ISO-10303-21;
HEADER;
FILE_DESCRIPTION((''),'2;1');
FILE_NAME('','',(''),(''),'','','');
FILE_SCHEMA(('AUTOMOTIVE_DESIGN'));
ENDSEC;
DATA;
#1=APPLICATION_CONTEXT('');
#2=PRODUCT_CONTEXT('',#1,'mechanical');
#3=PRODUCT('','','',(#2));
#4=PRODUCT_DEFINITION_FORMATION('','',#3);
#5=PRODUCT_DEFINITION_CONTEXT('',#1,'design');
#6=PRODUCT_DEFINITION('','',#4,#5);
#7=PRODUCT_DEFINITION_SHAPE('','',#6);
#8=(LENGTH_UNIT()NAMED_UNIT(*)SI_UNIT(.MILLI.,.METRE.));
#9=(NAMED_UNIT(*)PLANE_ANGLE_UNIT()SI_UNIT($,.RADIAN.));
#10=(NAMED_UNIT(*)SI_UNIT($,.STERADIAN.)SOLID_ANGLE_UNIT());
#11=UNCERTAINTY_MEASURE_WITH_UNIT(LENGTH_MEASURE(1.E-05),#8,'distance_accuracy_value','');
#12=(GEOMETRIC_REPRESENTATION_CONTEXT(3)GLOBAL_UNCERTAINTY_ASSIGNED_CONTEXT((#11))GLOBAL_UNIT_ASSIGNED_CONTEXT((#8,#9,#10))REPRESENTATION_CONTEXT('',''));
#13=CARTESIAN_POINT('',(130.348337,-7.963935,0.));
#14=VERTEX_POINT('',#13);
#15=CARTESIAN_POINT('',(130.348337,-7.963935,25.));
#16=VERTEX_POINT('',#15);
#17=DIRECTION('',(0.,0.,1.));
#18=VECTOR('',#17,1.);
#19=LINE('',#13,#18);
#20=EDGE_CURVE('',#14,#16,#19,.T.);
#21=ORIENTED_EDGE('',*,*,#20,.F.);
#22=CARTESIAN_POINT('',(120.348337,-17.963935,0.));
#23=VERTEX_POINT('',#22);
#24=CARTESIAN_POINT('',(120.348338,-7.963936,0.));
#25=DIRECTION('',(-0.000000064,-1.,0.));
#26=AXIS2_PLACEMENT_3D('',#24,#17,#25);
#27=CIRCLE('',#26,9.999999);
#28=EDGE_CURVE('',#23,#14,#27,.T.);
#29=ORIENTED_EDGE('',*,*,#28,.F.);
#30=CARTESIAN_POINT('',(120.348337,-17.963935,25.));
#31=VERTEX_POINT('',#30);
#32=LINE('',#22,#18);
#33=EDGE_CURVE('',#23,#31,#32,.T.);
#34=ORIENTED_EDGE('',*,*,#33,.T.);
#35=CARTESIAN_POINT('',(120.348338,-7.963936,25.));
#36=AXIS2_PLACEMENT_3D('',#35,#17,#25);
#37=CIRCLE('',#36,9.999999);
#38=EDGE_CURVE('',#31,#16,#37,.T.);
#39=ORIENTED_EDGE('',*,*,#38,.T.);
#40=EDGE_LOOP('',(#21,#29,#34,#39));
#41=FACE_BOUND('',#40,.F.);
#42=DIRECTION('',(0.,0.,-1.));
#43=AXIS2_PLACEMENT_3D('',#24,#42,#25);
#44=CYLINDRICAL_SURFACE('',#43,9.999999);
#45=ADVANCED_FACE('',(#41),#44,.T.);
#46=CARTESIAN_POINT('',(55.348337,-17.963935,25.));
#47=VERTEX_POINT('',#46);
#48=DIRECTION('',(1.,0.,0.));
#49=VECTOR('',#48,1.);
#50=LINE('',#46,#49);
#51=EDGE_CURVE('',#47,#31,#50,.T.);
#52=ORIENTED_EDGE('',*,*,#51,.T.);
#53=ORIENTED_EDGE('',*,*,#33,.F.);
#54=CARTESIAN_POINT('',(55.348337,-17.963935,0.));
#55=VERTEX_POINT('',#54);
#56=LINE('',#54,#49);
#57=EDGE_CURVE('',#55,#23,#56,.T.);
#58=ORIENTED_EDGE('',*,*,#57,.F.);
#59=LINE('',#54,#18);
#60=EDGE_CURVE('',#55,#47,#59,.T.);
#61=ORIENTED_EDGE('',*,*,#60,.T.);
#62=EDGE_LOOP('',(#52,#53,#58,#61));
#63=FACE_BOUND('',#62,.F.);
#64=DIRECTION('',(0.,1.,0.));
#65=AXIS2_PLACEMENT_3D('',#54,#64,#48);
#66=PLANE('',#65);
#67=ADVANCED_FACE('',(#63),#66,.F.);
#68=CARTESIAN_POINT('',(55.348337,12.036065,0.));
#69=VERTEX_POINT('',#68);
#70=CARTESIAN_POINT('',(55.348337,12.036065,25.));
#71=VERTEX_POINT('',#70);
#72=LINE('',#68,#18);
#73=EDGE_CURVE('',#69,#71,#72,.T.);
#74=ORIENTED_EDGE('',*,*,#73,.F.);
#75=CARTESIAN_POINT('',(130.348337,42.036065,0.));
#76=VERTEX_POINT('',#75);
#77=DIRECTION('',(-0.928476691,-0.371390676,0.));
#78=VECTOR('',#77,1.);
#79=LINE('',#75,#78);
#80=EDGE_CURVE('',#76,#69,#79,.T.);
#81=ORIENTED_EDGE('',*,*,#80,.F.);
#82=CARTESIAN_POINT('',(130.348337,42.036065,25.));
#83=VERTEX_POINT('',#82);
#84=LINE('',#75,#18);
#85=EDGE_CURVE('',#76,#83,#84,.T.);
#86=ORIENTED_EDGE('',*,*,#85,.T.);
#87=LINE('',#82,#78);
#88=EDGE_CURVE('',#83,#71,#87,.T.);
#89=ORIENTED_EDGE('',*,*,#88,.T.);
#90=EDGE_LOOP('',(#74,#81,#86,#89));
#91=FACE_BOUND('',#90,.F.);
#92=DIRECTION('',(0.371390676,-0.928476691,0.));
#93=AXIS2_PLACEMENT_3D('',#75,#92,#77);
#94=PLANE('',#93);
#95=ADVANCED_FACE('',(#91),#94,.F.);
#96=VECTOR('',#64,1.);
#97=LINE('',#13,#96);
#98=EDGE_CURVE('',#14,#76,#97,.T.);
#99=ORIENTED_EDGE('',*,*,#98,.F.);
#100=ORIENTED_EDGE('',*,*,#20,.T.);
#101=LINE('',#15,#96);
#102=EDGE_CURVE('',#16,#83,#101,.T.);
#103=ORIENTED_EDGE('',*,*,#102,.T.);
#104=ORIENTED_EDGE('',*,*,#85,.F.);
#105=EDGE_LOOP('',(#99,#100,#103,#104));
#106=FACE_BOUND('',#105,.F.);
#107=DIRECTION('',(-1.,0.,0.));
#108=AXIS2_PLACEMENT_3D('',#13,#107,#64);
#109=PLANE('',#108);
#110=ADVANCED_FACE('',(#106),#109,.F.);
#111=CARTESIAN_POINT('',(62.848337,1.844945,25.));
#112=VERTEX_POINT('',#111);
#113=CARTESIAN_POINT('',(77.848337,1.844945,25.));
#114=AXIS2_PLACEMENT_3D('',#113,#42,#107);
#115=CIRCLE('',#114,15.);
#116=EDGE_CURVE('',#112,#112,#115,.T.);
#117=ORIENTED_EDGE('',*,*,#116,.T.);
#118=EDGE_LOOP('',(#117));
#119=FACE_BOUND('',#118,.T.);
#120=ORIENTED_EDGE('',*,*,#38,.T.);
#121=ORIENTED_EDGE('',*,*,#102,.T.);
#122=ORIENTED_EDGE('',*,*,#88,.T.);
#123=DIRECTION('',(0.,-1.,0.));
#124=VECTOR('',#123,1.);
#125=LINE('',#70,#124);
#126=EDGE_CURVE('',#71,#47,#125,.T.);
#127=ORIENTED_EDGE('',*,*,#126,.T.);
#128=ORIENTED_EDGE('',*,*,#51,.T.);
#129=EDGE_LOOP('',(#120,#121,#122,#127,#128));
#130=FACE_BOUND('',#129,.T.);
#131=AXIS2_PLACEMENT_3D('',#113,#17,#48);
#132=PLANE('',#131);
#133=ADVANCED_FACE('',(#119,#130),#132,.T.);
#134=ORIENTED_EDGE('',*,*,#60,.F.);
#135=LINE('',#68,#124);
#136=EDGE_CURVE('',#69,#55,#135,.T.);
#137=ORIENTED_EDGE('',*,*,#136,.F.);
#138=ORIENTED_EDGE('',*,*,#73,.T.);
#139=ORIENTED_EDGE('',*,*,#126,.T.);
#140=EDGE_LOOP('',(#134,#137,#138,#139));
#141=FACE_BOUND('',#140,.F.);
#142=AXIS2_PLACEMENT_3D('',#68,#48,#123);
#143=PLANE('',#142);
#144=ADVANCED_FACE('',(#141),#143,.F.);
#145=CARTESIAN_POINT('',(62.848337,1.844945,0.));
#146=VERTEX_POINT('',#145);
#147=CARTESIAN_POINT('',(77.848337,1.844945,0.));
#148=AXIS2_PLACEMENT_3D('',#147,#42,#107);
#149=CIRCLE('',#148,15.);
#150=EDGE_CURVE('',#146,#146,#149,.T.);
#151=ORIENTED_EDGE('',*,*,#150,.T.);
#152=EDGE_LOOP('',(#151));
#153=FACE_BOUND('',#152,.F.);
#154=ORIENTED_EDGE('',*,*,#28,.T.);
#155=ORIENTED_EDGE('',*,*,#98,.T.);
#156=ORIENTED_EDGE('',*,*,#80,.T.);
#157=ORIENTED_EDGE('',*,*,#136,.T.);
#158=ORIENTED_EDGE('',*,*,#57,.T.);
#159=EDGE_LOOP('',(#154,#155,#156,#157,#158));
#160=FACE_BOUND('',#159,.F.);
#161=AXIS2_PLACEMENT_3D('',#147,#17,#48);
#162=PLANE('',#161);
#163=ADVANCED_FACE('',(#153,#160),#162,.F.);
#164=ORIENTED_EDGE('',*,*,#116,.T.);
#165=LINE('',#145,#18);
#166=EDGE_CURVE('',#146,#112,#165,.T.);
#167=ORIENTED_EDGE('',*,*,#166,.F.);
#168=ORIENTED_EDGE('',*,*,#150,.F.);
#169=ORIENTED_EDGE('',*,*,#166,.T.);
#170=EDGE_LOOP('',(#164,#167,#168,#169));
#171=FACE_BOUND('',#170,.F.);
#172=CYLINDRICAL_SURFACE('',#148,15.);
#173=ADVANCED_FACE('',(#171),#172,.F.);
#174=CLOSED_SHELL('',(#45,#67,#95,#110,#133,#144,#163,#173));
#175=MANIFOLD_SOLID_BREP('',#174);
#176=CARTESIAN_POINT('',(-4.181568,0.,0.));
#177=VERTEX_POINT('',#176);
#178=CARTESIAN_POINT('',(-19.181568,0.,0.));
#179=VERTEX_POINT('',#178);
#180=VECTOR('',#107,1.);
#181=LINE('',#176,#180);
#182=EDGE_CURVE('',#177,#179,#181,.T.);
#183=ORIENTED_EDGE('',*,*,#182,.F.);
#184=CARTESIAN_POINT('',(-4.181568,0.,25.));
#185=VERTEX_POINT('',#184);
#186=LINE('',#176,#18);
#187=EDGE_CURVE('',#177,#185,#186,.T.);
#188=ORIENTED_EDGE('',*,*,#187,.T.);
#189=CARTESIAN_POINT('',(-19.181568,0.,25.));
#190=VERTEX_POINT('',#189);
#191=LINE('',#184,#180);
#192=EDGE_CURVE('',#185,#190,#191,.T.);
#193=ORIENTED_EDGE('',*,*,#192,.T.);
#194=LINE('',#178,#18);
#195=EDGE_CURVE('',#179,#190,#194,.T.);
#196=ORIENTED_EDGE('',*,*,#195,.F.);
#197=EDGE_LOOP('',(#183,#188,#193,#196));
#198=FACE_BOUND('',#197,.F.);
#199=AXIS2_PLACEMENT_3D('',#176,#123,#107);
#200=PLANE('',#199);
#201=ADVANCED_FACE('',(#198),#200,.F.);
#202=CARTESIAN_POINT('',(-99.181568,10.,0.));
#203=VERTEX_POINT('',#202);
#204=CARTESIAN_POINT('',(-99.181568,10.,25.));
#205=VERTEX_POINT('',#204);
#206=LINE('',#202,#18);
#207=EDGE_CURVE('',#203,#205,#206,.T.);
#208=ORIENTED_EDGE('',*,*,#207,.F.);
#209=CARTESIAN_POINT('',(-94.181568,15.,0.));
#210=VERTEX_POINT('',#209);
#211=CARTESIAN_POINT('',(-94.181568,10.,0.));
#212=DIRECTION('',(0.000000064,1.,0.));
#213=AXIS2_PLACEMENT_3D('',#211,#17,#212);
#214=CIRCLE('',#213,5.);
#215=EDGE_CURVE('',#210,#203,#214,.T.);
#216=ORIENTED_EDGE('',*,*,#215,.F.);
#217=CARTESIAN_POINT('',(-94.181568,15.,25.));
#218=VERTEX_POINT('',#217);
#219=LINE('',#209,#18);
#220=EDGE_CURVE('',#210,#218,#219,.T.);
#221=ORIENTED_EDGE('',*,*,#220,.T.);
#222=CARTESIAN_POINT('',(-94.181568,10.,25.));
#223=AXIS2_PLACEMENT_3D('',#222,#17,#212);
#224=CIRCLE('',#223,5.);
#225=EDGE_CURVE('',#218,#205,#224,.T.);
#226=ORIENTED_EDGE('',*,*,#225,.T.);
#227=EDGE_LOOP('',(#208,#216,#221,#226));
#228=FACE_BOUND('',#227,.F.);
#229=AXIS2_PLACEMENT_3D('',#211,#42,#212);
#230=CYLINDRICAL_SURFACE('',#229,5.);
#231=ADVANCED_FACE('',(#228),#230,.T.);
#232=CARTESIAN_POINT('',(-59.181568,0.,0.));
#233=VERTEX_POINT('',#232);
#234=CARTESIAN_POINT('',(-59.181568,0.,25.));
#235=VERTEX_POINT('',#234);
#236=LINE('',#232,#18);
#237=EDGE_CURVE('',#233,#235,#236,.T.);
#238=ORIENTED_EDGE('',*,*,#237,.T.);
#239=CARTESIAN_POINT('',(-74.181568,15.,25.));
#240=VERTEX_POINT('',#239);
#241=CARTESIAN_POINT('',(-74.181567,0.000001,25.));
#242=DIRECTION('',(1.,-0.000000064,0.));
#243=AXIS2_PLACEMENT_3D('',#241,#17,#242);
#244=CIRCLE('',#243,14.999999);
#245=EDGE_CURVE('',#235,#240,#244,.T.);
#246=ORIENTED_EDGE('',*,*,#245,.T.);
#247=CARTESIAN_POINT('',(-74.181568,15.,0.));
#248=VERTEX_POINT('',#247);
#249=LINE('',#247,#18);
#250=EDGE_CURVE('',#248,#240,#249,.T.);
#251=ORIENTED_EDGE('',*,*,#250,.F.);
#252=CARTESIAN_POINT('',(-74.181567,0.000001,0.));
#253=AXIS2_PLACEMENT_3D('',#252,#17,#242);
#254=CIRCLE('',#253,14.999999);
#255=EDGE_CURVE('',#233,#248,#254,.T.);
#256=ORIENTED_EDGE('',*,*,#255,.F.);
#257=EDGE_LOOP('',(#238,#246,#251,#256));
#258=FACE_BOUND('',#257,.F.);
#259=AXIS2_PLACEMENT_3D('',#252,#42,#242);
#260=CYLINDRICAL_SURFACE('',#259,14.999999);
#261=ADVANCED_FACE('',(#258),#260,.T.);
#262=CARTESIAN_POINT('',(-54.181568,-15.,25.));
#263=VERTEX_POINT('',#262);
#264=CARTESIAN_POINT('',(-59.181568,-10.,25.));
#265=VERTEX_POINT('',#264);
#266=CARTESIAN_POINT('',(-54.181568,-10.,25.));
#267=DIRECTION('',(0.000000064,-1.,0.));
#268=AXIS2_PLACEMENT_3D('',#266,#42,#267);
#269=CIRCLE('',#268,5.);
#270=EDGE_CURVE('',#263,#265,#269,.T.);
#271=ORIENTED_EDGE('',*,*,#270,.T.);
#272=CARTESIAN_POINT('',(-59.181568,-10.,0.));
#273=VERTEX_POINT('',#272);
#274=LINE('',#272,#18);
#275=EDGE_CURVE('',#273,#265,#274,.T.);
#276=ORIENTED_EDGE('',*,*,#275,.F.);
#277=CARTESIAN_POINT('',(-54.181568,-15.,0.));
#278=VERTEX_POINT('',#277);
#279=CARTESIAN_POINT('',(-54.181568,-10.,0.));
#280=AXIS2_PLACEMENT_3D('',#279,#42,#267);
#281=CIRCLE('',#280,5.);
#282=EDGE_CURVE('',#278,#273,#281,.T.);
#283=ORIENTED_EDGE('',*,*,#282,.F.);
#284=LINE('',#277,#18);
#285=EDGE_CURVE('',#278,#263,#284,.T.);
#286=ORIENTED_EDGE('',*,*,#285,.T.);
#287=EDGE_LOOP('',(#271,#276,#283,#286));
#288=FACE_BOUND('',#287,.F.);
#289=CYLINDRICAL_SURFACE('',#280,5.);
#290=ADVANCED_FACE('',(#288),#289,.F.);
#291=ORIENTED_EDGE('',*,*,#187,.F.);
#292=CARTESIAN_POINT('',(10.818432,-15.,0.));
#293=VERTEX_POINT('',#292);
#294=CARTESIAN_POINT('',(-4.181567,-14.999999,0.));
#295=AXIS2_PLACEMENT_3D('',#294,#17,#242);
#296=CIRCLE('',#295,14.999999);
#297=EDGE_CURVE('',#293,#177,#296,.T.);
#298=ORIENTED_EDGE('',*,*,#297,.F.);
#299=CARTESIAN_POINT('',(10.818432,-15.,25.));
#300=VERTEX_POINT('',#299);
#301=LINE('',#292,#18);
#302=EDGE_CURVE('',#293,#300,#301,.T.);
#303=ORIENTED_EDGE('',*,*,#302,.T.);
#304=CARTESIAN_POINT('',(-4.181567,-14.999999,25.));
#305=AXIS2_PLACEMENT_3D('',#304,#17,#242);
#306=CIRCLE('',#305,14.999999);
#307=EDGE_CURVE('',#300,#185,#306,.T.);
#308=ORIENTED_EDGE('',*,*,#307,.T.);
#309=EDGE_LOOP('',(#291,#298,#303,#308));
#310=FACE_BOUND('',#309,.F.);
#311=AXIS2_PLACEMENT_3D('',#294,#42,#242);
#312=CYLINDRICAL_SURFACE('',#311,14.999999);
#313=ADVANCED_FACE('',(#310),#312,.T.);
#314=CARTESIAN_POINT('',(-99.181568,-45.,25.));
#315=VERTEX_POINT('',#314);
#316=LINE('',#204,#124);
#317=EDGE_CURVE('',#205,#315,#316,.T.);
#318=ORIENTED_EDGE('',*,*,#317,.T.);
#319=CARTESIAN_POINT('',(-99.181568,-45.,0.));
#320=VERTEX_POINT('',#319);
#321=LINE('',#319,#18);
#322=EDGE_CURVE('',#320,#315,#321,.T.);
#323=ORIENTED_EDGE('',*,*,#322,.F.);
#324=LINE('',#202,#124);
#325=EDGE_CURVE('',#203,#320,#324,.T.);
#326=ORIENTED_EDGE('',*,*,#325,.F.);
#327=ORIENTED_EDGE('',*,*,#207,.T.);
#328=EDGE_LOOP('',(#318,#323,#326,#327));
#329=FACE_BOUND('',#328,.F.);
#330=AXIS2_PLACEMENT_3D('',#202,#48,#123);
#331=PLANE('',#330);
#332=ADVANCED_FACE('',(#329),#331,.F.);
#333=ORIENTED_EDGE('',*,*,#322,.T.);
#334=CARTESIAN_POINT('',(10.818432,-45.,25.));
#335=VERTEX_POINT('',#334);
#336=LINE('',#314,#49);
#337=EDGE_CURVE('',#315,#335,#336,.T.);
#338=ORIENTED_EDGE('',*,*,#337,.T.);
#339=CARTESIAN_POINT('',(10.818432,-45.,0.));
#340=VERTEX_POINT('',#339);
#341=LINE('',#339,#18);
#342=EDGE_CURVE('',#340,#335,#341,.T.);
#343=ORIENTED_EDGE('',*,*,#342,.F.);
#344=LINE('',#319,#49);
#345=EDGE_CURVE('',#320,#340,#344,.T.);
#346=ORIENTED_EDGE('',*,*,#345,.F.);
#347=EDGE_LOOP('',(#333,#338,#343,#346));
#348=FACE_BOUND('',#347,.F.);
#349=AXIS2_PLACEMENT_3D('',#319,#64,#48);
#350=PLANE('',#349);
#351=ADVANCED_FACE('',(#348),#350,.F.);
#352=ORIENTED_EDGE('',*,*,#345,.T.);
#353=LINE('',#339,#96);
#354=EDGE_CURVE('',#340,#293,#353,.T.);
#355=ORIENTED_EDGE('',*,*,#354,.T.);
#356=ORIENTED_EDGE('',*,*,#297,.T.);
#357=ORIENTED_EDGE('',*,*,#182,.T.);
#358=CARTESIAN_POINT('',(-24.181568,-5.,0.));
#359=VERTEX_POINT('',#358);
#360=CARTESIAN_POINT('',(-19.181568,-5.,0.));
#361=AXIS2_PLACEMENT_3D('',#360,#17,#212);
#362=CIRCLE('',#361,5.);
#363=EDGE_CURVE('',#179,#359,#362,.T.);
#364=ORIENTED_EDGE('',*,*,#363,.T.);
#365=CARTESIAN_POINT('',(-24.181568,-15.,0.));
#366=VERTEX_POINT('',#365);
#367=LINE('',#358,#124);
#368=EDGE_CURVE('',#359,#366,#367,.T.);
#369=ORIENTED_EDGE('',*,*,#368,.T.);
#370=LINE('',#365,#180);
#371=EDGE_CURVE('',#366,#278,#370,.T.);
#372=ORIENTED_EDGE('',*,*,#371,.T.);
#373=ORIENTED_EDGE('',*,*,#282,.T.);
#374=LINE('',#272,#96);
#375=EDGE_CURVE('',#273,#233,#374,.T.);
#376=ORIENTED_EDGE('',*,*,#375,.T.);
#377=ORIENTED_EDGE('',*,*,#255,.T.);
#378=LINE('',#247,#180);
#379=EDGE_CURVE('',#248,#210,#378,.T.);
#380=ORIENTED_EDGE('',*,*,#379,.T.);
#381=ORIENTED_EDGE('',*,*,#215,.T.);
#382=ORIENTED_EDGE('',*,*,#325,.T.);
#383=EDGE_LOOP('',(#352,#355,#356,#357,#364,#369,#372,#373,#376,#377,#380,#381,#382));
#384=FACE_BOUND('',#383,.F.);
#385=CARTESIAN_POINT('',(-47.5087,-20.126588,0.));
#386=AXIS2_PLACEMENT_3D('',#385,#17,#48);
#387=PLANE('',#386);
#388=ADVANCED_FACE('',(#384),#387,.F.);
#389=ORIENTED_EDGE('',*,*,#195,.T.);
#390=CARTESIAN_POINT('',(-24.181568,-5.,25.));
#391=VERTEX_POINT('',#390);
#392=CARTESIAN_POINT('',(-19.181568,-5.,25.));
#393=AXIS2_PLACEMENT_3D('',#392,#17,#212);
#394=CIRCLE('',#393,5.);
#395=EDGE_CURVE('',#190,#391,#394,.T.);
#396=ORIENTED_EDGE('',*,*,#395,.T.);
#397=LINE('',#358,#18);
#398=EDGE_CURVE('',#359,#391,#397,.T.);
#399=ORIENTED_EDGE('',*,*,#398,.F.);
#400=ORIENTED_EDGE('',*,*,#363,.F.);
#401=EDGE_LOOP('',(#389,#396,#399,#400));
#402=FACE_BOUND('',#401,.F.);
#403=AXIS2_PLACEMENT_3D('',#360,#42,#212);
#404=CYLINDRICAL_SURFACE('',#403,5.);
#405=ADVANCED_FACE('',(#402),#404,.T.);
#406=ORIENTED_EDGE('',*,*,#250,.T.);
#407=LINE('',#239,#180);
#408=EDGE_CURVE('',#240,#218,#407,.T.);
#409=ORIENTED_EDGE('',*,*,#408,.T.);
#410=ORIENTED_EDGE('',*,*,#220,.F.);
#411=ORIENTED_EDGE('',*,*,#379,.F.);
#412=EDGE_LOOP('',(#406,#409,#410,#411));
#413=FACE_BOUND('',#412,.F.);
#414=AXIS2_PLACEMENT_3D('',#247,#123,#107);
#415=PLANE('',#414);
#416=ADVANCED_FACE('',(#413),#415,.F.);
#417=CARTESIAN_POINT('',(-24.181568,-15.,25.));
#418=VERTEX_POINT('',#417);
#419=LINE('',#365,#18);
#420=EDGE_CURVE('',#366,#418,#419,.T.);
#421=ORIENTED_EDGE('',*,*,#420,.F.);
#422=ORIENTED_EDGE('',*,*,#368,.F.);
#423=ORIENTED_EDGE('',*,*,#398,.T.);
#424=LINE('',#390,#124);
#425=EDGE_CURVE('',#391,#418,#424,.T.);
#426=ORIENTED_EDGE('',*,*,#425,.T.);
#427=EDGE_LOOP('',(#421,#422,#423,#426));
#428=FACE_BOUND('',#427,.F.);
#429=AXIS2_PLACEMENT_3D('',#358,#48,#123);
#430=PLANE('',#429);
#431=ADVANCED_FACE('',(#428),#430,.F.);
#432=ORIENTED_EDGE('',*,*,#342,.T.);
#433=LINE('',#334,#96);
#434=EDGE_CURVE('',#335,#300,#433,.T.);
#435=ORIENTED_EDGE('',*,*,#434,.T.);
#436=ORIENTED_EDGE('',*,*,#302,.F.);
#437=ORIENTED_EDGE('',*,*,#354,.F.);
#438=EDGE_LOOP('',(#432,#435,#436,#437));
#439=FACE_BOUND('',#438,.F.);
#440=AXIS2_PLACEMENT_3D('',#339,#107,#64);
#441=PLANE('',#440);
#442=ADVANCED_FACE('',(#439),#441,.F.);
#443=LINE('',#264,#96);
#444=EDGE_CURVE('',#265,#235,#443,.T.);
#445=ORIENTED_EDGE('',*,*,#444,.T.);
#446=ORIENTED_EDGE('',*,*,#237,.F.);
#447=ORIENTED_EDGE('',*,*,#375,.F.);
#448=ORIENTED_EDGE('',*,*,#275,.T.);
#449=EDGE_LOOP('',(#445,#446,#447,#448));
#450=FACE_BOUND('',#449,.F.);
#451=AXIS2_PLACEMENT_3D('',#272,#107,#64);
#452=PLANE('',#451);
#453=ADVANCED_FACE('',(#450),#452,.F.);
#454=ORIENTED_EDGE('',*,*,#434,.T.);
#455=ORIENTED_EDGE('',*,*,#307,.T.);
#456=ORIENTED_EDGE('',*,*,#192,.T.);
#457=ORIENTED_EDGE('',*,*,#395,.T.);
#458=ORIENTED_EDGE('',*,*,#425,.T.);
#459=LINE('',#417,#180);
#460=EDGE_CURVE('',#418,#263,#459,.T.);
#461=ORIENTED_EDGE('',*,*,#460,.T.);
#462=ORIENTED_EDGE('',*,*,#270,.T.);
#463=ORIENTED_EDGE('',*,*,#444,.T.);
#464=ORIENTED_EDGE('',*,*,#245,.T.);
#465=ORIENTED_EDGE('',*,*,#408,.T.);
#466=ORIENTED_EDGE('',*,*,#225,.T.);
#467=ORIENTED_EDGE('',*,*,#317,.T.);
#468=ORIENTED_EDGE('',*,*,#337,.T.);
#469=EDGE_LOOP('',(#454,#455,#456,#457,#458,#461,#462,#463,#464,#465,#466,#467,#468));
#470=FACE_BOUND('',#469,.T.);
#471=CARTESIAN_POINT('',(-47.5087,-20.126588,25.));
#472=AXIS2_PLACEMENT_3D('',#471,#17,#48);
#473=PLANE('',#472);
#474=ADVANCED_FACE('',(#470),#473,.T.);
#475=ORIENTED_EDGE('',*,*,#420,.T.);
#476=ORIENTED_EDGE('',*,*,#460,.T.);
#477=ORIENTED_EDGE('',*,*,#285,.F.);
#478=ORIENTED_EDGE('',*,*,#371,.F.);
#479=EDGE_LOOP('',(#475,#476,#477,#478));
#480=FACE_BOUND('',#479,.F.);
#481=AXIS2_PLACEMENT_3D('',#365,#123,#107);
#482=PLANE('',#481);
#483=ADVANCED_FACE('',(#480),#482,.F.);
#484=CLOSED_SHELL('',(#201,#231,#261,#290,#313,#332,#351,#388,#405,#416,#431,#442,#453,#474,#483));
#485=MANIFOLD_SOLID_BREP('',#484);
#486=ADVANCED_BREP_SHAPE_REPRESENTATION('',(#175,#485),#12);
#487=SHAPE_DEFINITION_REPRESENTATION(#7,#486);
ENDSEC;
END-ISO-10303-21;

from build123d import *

# Parameters (mm, degrees)
F1_DEPTH = 25


with BuildPart() as f1:
    # F0 (on Top) → F1 (new body)
    with BuildSketch(Plane.XY):
        with BuildLine():
            Line((-99.181568, 10), (-99.181568, -45))
            Line((-99.181568, -45), (10.818432, -45))
            Line((10.818432, -45), (10.818432, -27.28576))
            Line((10.818432, -27.28576), (10.818432, -15))
            ThreePointArc((10.818432, -15), (6.425034, -4.393398), (-4.181568, 0))
            Line((-4.181568, 0), (-19.181568, 0))
            ThreePointArc((-19.181568, 0), (-22.717102, -1.464466), (-24.181568, -5))
            Line((-24.181568, -5), (-24.181568, -15))
            Line((-24.181568, -15), (-54.181568, -15))
            ThreePointArc((-54.181568, -15), (-57.717102, -13.535534), (-59.181568, -10))
            Line((-59.181568, -10), (-59.181568, 0))
            ThreePointArc((-59.181568, 0), (-63.574966, 10.606602), (-74.181568, 15))
            Line((-74.181568, 15), (-94.181568, 15))
            ThreePointArc((-94.181568, 15), (-97.717102, 13.535534), (-99.181568, 10))
        make_face()
        with BuildLine():
            ThreePointArc((92.848337, 1.844945), (77.848337, 16.844945), (62.848337, 1.844945))
            ThreePointArc((62.848337, 1.844945), (77.848337, -13.155055), (92.848337, 1.844945))
        make_face()
        with BuildLine():
            Line((55.348337, 1.844945), (55.348337, -17.963935))
            Line((55.348337, -17.963935), (77.848337, -17.963935))
            Line((77.848337, -17.963935), (120.348337, -17.963935))
            ThreePointArc((120.348337, -17.963935), (127.419405, -15.035003), (130.348337, -7.963935))
            Line((130.348337, -7.963935), (130.348337, 42.036065))
            Line((130.348337, 42.036065), (55.348337, 12.036065))
            Line((55.348337, 12.036065), (55.348337, 1.844945))
        make_face()
        with BuildLine():
            ThreePointArc((92.848337, 1.844945), (77.848337, -13.155055), (62.848337, 1.844945))
            ThreePointArc((62.848337, 1.844945), (77.848337, 16.844945), (92.848337, 1.844945))
        make_face(mode=Mode.SUBTRACT)
    extrude(amount=F1_DEPTH)


solid = f1.part
